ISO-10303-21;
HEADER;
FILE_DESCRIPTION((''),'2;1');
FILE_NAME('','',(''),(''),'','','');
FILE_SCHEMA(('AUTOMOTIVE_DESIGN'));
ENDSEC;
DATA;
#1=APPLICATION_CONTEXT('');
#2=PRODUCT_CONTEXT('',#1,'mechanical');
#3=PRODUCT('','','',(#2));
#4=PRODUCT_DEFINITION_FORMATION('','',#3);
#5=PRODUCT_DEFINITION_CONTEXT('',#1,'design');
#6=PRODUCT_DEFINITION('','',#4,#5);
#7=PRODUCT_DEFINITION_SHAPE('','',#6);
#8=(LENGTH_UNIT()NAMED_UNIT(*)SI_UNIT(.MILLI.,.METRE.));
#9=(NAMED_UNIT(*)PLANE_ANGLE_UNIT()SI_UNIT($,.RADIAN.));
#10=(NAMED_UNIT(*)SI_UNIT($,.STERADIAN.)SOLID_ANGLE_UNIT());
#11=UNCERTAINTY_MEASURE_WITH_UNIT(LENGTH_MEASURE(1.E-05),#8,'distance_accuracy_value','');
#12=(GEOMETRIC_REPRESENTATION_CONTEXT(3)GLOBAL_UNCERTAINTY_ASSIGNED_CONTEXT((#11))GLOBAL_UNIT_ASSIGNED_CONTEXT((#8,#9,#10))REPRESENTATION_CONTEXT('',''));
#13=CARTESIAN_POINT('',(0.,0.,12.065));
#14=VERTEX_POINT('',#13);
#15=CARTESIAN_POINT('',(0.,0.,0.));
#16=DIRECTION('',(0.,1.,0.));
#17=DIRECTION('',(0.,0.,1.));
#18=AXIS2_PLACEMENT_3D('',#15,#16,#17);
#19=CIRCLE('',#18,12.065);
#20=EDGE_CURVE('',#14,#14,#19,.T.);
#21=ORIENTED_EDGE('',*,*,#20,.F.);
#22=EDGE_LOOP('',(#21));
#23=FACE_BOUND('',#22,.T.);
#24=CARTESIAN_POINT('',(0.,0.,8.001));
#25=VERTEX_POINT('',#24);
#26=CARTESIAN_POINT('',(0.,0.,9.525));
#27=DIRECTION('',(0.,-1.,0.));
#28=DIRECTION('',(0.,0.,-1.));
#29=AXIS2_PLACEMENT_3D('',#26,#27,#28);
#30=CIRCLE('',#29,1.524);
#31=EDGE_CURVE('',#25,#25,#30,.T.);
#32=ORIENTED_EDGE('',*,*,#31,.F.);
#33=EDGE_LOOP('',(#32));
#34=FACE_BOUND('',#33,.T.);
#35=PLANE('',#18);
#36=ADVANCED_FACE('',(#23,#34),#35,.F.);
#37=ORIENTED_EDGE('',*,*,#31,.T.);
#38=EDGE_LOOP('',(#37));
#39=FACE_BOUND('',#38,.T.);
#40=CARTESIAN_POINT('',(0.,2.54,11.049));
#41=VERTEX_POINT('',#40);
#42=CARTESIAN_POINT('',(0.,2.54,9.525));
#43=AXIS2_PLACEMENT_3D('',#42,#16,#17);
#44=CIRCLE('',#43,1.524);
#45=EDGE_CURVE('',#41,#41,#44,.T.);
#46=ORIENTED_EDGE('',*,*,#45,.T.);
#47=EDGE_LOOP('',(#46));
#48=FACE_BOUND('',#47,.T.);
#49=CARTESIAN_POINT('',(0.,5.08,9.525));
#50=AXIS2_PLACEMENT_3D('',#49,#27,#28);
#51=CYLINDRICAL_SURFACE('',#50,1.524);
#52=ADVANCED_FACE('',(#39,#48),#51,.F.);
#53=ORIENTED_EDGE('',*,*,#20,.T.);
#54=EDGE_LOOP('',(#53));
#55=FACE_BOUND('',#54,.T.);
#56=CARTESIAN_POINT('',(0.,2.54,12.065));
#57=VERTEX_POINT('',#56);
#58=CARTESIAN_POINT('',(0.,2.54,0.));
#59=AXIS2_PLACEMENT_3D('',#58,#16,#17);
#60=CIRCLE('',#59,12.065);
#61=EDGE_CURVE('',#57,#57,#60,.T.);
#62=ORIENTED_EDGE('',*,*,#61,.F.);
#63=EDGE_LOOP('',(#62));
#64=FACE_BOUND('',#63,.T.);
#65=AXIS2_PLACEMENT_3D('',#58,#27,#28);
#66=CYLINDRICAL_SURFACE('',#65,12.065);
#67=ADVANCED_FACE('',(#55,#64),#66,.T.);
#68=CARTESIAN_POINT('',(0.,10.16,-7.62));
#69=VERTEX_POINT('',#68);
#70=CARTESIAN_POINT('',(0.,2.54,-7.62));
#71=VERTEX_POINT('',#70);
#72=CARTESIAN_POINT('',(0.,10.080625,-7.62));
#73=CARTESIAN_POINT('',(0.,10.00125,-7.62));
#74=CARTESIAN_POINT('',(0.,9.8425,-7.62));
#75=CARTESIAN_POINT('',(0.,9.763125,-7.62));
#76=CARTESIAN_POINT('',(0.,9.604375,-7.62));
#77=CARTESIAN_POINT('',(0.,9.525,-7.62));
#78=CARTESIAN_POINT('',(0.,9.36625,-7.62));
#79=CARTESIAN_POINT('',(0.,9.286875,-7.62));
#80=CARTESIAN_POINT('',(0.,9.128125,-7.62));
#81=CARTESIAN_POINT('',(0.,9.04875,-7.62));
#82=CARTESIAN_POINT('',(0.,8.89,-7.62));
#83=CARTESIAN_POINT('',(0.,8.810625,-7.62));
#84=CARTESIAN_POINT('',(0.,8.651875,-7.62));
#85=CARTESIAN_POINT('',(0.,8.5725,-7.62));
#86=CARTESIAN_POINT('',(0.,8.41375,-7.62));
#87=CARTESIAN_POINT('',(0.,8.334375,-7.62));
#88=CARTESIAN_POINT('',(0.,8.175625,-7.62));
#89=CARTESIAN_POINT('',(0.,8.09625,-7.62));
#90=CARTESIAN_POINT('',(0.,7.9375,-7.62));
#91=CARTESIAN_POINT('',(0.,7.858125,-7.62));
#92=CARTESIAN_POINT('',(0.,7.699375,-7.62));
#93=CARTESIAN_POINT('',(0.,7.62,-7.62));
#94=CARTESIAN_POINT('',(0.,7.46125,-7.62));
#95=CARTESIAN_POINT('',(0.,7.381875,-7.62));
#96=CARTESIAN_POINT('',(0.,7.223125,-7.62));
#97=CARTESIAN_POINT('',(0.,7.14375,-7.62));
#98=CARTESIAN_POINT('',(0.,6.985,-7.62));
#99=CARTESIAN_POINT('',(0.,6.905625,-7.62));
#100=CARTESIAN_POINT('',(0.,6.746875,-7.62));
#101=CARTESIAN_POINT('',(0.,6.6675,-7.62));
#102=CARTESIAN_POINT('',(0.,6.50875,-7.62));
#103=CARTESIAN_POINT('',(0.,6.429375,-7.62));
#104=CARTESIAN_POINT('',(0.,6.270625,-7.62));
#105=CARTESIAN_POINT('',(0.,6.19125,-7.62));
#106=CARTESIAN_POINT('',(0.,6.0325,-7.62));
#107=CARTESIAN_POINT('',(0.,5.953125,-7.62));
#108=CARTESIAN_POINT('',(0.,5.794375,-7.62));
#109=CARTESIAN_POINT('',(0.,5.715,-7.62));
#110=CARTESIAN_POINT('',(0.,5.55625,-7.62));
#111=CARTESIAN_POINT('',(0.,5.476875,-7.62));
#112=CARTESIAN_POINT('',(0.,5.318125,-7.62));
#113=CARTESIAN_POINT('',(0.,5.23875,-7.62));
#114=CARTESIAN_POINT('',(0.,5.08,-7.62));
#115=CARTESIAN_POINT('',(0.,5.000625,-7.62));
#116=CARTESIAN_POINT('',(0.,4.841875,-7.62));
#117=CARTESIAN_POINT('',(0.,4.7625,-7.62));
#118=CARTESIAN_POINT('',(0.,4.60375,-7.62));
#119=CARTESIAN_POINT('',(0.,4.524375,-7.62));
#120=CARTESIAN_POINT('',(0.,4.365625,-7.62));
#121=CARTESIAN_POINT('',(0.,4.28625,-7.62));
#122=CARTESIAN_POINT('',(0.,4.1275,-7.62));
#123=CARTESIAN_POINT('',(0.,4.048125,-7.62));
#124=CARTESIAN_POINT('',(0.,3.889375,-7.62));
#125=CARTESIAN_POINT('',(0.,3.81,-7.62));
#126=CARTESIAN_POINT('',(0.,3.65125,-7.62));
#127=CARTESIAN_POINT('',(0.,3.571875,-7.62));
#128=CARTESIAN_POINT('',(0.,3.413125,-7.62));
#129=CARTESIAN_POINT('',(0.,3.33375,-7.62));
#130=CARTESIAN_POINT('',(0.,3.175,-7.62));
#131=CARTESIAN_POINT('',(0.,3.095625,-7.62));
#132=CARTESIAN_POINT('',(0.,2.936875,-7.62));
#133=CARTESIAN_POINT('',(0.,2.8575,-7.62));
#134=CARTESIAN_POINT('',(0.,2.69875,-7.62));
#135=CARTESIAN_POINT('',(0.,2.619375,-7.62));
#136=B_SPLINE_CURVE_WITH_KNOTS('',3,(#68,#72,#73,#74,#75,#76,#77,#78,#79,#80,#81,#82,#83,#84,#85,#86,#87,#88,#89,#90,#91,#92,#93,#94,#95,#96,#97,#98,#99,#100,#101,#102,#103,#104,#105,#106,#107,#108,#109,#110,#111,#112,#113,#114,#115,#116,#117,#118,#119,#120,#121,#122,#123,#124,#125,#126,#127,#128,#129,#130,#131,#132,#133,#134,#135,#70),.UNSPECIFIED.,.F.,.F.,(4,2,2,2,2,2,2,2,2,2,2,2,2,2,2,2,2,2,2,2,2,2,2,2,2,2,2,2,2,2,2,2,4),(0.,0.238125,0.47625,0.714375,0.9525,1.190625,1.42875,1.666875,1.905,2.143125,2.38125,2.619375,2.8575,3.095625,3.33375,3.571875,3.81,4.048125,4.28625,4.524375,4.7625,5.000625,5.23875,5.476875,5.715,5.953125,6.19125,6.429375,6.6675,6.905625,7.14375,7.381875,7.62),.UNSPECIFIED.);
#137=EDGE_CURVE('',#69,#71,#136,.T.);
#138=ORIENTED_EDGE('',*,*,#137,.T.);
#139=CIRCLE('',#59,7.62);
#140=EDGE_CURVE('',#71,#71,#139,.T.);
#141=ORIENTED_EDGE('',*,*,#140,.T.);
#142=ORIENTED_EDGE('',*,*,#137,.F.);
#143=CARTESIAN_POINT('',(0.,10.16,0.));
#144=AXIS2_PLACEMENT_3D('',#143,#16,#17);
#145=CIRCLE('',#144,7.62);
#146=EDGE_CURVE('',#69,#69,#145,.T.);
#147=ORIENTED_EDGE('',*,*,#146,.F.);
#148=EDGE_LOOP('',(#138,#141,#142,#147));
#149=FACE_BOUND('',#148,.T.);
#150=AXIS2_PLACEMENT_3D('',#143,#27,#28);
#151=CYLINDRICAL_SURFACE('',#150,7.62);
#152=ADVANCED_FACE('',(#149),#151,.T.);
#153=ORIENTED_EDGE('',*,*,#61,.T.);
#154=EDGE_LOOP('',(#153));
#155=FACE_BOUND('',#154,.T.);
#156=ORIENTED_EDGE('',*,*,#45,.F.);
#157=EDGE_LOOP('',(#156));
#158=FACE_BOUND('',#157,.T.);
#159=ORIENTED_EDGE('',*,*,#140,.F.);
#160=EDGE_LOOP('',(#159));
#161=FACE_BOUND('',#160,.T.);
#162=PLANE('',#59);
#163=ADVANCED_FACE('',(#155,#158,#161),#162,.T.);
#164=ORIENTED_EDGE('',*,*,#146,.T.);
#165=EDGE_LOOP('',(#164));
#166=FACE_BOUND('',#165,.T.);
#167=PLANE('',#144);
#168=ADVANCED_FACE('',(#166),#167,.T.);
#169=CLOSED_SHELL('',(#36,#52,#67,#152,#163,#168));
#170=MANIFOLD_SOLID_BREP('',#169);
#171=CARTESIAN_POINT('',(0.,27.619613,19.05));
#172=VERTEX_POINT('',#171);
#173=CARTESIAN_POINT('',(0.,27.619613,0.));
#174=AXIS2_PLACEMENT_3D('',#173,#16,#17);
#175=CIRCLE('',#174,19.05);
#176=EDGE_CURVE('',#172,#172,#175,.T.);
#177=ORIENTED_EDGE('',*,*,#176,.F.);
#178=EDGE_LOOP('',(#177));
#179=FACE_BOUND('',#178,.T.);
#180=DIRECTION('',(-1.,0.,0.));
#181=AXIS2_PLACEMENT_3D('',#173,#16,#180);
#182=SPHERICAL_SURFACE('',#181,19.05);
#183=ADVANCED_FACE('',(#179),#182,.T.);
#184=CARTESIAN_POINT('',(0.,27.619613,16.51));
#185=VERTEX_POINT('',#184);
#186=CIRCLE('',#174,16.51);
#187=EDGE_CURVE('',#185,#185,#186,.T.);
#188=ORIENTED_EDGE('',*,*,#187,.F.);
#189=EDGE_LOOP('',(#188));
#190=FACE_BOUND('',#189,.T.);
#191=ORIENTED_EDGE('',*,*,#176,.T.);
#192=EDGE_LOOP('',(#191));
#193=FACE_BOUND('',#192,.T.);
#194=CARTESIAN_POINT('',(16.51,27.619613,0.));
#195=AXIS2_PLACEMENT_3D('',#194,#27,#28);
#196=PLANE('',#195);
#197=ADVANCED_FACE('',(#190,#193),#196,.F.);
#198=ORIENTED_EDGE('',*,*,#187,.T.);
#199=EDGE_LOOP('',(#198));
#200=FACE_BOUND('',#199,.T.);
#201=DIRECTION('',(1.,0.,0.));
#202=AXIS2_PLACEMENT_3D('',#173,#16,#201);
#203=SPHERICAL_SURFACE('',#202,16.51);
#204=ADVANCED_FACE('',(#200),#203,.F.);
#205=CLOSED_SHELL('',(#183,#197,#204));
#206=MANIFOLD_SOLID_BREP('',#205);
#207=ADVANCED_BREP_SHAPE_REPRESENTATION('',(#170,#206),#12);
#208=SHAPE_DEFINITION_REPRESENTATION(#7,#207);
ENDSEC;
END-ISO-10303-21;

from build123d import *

# Parameters (mm, degrees)
SKETCH2_R           = 12.065
BOSS_EXTRUDE1_DEPTH = 2.54
SKETCH3_R           = 7.62
BOSS_EXTRUDE2_DEPTH = 7.62
SKETCH6_R           = 1.524
CUT_EXTRUDE1_DEPTH  = 5.08


with BuildPart() as part:
    # Sketch2 → Boss-Extrude1 (new body)
    with BuildSketch(Plane(origin=(0, 0, 0), x_dir=(1, 0, 0), z_dir=(0, 1, 0))):
        with Locations(Location((0, 0, 0), (0, 0, 270))):
            Circle(SKETCH2_R)
    extrude(amount=BOSS_EXTRUDE1_DEPTH)

    # Sketch3 → Boss-Extrude2 (add)
    with BuildSketch(Plane(origin=(0, 2.54, 0), x_dir=(1, 0, 0), z_dir=(0, 1, 0))):
        with Locations(Location((0, 0, 0), (0, 0, 90))):
            Circle(SKETCH3_R)
    extrude(amount=BOSS_EXTRUDE2_DEPTH)

    # Sketch6 → Cut-Extrude1 (cut)
    with BuildSketch(Plane.XZ):
        with Locations(Location((0, 9.525, 0), (0, 0, 270))):
            Circle(SKETCH6_R)
    extrude(amount=-CUT_EXTRUDE1_DEPTH, mode=Mode.SUBTRACT)


with BuildPart() as body_2:
    # Sketch5 → Revolve1 (revolve)
    with BuildSketch(Plane.XY):
        with BuildLine():
            Line((16.51, 27.619613398), (19.05, 27.619613398))
            ThreePointArc((19.05, 27.619613398), (13.470384182, 14.149229216), (0, 8.569613398))
            Line((0, 8.569613398), (0, 11.109613398))
            ThreePointArc((0, 11.109613398), (11.674332957, 15.94528044), (16.51, 27.619613398))
        make_face()
    revolve(axis=Axis((0, 47.87511184, 0), (0, -1, 0)))


solid = Compound([part.part, body_2.part])
